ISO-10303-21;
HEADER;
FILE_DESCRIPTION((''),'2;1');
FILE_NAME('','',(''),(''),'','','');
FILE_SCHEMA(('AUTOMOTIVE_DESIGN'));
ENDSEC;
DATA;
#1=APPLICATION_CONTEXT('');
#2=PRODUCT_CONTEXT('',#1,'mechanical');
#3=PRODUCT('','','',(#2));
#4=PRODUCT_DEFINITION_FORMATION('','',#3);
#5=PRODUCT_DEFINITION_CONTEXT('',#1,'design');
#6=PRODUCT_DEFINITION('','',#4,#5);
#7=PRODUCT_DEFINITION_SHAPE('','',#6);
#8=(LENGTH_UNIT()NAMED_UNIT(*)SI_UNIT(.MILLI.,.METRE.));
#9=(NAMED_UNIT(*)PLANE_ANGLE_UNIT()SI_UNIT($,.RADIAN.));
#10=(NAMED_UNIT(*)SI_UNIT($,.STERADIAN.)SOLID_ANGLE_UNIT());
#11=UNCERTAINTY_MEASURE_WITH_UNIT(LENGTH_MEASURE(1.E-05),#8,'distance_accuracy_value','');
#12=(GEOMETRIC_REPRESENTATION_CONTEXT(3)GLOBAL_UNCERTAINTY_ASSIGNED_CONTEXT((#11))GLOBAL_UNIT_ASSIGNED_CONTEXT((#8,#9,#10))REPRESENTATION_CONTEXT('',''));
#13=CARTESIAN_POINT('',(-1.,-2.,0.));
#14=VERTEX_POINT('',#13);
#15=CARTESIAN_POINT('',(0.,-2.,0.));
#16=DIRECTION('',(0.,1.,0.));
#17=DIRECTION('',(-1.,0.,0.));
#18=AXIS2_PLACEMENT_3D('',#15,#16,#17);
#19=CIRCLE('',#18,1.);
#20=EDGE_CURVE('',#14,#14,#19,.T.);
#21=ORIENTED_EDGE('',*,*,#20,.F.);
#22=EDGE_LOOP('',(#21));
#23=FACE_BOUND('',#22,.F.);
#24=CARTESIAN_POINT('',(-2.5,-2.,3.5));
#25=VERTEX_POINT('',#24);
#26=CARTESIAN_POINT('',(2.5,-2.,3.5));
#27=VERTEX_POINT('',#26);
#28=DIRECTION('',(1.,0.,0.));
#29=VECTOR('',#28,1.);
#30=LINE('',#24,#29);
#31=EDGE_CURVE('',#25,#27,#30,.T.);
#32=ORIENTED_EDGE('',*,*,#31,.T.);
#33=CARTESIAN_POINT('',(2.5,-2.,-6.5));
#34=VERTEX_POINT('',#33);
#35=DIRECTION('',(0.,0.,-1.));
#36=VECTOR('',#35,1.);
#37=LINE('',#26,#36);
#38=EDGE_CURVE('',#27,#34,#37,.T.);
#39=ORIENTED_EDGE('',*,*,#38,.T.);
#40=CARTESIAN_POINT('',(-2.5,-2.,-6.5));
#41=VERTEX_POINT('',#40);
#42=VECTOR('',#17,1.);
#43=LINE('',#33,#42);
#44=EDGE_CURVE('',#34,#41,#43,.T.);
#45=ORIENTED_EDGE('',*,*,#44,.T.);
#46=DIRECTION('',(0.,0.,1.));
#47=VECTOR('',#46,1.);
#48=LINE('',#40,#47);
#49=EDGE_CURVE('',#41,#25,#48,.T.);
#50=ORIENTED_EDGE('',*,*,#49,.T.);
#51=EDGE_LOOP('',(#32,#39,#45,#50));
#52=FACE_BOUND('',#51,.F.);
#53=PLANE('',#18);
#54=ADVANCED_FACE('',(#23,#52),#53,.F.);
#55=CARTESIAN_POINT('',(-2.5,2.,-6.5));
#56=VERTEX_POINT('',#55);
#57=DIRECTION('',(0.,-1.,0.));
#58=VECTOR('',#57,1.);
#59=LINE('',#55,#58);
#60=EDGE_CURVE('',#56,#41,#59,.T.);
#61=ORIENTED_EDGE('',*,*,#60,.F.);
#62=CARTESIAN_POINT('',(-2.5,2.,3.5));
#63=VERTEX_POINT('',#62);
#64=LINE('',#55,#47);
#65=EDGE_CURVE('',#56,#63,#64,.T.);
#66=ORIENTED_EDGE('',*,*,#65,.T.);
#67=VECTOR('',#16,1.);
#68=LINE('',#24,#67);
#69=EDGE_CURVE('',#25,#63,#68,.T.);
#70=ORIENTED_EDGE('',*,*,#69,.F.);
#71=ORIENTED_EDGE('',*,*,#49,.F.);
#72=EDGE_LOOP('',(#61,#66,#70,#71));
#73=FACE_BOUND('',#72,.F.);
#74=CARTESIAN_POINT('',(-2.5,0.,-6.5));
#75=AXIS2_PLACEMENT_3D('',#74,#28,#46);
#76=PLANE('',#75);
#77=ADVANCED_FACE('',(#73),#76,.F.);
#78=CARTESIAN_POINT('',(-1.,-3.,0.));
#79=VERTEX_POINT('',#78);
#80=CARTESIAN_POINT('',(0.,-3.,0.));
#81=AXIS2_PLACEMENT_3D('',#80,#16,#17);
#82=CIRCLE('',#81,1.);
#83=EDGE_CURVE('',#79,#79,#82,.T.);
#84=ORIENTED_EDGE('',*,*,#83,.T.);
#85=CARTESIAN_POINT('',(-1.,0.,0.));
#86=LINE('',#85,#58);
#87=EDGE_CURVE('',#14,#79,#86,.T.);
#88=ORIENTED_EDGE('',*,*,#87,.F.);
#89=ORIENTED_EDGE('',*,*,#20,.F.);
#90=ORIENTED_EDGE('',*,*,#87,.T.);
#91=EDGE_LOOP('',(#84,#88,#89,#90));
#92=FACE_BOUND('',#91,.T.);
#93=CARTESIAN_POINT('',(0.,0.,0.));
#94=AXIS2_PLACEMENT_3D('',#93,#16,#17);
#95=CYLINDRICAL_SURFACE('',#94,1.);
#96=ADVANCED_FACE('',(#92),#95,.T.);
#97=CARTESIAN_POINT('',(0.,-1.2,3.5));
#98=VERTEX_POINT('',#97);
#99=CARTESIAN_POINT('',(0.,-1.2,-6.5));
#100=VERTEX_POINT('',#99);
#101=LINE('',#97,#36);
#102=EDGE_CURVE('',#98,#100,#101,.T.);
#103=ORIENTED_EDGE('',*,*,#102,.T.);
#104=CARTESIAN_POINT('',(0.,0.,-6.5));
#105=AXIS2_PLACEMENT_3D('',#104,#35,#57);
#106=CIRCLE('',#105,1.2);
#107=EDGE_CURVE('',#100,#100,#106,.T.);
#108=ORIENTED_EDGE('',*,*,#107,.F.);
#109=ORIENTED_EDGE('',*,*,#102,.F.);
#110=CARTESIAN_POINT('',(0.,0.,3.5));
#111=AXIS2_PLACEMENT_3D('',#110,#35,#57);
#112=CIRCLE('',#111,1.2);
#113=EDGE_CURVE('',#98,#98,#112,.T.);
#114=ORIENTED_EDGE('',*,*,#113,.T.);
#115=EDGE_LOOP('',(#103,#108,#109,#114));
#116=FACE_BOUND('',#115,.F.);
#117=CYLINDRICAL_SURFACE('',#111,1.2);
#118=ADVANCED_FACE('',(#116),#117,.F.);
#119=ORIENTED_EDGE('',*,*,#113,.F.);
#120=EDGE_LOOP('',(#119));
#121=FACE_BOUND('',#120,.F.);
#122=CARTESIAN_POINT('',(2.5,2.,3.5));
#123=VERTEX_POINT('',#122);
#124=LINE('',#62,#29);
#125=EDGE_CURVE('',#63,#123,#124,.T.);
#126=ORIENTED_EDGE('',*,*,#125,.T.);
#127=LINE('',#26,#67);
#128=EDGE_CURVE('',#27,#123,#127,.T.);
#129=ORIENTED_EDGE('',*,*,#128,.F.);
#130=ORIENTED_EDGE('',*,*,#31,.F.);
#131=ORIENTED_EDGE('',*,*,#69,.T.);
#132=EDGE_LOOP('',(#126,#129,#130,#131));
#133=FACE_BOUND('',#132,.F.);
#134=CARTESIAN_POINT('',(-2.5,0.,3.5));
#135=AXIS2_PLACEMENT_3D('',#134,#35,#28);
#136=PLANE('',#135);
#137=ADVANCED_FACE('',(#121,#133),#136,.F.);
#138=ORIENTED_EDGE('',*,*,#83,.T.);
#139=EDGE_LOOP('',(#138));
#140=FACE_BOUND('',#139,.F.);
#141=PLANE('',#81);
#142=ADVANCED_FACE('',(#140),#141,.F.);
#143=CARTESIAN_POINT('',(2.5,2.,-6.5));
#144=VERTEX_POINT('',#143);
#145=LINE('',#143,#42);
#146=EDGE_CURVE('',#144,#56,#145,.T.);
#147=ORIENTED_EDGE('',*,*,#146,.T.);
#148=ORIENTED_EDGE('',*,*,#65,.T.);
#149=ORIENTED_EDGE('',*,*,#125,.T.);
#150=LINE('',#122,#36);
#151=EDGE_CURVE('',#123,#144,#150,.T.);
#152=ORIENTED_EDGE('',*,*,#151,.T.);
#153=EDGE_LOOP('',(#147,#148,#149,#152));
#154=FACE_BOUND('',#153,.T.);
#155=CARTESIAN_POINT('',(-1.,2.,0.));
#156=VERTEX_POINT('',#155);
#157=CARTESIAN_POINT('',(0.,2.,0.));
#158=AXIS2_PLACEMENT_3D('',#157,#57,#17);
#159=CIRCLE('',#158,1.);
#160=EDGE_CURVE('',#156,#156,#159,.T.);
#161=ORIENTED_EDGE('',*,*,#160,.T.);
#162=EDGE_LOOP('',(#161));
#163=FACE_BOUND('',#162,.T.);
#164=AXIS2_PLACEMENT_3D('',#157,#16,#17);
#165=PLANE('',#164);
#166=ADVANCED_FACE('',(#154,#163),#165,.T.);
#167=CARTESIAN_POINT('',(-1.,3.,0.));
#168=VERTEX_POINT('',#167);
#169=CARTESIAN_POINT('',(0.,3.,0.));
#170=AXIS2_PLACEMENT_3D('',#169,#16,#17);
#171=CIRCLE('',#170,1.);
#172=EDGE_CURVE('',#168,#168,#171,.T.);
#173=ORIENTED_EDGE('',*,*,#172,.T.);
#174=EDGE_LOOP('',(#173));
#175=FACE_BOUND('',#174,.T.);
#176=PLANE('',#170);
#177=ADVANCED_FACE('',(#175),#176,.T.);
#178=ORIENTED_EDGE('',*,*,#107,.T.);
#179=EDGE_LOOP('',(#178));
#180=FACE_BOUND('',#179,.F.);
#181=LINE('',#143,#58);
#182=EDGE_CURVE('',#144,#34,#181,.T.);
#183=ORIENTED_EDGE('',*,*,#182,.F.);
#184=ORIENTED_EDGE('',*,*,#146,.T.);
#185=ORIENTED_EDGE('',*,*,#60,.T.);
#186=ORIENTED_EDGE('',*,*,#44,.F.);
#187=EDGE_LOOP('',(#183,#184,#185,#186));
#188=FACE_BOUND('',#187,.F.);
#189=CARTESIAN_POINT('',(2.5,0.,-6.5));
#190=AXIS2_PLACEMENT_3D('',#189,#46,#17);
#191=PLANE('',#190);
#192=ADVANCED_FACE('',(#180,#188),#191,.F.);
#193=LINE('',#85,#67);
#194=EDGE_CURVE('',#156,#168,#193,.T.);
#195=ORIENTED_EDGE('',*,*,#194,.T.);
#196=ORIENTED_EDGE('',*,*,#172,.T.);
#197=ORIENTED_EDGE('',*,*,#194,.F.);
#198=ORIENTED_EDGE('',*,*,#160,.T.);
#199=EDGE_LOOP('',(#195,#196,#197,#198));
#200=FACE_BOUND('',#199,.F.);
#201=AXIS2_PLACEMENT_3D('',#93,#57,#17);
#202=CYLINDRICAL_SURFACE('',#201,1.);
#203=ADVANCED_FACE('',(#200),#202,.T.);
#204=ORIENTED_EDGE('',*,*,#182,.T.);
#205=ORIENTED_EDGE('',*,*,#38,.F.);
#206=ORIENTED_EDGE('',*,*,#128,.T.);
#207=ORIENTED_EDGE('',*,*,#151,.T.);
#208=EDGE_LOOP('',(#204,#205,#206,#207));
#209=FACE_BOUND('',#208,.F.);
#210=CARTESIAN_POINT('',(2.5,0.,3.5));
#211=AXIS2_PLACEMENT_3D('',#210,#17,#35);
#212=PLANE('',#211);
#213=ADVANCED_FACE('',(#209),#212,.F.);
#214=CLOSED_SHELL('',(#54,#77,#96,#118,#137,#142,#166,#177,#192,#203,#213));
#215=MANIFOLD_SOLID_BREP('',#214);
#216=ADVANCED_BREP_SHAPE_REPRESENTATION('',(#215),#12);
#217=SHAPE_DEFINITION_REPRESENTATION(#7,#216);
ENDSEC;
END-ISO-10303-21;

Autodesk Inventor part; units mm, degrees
ref_plane "YZ Plane" through (0, 0, 0) normal (1, 0, 0) x (0, 1, 0)
ref_plane "XZ Plane" through (0, 0, 0) normal (0, 1, 0) x (-1, 0, 0)
ref_plane "XY Plane" through (0, 0, 0) normal (0, 0, 1) x (1, 0, 0)
sketch "スケッチ1" plane through (0, 0, 0) normal (0, 1, 0) x (-1, 0, 0)
  line L0 (2.5, 3.5) -> (-2.5, 3.5)
  line L1 (-2.5, 3.5) -> (-2.5, -6.5)
  line L2 (-2.5, -6.5) -> (2.5, -6.5)
  line L3 (2.5, -6.5) -> (2.5, 3.5)
  point P0 (0, 0)
  point P1 (0, 3.5)
  dimension "d0" = 5
  dimension "d15" = 10
  dimension "d46" = 3.5
extrude "押し出し1" add sketch "スケッチ1" along normal mid plane 4
sketch "スケッチ2" plane through (0, 0, 0) normal (0, 1, 0) x (-1, 0, 0)
  circle A0 centre (0, 0) radius 1
  dimension "d3" = 2
extrude "押し出し2" add sketch "スケッチ2" along normal mid plane 6
sketch "スケッチ9" plane through (-2.5, 2, 3.5) normal (0, 0, 1) x (1, 0, 0)
  point P0 (2.5, -2)
  point P1 (2.5, -2)
hole "穴4" at (0, 0, 3.5) direction (0, 0, -1) diameter 2.4 end through all
properties part number "gear_connecotr1_V2" material "ABS プラスチック"
